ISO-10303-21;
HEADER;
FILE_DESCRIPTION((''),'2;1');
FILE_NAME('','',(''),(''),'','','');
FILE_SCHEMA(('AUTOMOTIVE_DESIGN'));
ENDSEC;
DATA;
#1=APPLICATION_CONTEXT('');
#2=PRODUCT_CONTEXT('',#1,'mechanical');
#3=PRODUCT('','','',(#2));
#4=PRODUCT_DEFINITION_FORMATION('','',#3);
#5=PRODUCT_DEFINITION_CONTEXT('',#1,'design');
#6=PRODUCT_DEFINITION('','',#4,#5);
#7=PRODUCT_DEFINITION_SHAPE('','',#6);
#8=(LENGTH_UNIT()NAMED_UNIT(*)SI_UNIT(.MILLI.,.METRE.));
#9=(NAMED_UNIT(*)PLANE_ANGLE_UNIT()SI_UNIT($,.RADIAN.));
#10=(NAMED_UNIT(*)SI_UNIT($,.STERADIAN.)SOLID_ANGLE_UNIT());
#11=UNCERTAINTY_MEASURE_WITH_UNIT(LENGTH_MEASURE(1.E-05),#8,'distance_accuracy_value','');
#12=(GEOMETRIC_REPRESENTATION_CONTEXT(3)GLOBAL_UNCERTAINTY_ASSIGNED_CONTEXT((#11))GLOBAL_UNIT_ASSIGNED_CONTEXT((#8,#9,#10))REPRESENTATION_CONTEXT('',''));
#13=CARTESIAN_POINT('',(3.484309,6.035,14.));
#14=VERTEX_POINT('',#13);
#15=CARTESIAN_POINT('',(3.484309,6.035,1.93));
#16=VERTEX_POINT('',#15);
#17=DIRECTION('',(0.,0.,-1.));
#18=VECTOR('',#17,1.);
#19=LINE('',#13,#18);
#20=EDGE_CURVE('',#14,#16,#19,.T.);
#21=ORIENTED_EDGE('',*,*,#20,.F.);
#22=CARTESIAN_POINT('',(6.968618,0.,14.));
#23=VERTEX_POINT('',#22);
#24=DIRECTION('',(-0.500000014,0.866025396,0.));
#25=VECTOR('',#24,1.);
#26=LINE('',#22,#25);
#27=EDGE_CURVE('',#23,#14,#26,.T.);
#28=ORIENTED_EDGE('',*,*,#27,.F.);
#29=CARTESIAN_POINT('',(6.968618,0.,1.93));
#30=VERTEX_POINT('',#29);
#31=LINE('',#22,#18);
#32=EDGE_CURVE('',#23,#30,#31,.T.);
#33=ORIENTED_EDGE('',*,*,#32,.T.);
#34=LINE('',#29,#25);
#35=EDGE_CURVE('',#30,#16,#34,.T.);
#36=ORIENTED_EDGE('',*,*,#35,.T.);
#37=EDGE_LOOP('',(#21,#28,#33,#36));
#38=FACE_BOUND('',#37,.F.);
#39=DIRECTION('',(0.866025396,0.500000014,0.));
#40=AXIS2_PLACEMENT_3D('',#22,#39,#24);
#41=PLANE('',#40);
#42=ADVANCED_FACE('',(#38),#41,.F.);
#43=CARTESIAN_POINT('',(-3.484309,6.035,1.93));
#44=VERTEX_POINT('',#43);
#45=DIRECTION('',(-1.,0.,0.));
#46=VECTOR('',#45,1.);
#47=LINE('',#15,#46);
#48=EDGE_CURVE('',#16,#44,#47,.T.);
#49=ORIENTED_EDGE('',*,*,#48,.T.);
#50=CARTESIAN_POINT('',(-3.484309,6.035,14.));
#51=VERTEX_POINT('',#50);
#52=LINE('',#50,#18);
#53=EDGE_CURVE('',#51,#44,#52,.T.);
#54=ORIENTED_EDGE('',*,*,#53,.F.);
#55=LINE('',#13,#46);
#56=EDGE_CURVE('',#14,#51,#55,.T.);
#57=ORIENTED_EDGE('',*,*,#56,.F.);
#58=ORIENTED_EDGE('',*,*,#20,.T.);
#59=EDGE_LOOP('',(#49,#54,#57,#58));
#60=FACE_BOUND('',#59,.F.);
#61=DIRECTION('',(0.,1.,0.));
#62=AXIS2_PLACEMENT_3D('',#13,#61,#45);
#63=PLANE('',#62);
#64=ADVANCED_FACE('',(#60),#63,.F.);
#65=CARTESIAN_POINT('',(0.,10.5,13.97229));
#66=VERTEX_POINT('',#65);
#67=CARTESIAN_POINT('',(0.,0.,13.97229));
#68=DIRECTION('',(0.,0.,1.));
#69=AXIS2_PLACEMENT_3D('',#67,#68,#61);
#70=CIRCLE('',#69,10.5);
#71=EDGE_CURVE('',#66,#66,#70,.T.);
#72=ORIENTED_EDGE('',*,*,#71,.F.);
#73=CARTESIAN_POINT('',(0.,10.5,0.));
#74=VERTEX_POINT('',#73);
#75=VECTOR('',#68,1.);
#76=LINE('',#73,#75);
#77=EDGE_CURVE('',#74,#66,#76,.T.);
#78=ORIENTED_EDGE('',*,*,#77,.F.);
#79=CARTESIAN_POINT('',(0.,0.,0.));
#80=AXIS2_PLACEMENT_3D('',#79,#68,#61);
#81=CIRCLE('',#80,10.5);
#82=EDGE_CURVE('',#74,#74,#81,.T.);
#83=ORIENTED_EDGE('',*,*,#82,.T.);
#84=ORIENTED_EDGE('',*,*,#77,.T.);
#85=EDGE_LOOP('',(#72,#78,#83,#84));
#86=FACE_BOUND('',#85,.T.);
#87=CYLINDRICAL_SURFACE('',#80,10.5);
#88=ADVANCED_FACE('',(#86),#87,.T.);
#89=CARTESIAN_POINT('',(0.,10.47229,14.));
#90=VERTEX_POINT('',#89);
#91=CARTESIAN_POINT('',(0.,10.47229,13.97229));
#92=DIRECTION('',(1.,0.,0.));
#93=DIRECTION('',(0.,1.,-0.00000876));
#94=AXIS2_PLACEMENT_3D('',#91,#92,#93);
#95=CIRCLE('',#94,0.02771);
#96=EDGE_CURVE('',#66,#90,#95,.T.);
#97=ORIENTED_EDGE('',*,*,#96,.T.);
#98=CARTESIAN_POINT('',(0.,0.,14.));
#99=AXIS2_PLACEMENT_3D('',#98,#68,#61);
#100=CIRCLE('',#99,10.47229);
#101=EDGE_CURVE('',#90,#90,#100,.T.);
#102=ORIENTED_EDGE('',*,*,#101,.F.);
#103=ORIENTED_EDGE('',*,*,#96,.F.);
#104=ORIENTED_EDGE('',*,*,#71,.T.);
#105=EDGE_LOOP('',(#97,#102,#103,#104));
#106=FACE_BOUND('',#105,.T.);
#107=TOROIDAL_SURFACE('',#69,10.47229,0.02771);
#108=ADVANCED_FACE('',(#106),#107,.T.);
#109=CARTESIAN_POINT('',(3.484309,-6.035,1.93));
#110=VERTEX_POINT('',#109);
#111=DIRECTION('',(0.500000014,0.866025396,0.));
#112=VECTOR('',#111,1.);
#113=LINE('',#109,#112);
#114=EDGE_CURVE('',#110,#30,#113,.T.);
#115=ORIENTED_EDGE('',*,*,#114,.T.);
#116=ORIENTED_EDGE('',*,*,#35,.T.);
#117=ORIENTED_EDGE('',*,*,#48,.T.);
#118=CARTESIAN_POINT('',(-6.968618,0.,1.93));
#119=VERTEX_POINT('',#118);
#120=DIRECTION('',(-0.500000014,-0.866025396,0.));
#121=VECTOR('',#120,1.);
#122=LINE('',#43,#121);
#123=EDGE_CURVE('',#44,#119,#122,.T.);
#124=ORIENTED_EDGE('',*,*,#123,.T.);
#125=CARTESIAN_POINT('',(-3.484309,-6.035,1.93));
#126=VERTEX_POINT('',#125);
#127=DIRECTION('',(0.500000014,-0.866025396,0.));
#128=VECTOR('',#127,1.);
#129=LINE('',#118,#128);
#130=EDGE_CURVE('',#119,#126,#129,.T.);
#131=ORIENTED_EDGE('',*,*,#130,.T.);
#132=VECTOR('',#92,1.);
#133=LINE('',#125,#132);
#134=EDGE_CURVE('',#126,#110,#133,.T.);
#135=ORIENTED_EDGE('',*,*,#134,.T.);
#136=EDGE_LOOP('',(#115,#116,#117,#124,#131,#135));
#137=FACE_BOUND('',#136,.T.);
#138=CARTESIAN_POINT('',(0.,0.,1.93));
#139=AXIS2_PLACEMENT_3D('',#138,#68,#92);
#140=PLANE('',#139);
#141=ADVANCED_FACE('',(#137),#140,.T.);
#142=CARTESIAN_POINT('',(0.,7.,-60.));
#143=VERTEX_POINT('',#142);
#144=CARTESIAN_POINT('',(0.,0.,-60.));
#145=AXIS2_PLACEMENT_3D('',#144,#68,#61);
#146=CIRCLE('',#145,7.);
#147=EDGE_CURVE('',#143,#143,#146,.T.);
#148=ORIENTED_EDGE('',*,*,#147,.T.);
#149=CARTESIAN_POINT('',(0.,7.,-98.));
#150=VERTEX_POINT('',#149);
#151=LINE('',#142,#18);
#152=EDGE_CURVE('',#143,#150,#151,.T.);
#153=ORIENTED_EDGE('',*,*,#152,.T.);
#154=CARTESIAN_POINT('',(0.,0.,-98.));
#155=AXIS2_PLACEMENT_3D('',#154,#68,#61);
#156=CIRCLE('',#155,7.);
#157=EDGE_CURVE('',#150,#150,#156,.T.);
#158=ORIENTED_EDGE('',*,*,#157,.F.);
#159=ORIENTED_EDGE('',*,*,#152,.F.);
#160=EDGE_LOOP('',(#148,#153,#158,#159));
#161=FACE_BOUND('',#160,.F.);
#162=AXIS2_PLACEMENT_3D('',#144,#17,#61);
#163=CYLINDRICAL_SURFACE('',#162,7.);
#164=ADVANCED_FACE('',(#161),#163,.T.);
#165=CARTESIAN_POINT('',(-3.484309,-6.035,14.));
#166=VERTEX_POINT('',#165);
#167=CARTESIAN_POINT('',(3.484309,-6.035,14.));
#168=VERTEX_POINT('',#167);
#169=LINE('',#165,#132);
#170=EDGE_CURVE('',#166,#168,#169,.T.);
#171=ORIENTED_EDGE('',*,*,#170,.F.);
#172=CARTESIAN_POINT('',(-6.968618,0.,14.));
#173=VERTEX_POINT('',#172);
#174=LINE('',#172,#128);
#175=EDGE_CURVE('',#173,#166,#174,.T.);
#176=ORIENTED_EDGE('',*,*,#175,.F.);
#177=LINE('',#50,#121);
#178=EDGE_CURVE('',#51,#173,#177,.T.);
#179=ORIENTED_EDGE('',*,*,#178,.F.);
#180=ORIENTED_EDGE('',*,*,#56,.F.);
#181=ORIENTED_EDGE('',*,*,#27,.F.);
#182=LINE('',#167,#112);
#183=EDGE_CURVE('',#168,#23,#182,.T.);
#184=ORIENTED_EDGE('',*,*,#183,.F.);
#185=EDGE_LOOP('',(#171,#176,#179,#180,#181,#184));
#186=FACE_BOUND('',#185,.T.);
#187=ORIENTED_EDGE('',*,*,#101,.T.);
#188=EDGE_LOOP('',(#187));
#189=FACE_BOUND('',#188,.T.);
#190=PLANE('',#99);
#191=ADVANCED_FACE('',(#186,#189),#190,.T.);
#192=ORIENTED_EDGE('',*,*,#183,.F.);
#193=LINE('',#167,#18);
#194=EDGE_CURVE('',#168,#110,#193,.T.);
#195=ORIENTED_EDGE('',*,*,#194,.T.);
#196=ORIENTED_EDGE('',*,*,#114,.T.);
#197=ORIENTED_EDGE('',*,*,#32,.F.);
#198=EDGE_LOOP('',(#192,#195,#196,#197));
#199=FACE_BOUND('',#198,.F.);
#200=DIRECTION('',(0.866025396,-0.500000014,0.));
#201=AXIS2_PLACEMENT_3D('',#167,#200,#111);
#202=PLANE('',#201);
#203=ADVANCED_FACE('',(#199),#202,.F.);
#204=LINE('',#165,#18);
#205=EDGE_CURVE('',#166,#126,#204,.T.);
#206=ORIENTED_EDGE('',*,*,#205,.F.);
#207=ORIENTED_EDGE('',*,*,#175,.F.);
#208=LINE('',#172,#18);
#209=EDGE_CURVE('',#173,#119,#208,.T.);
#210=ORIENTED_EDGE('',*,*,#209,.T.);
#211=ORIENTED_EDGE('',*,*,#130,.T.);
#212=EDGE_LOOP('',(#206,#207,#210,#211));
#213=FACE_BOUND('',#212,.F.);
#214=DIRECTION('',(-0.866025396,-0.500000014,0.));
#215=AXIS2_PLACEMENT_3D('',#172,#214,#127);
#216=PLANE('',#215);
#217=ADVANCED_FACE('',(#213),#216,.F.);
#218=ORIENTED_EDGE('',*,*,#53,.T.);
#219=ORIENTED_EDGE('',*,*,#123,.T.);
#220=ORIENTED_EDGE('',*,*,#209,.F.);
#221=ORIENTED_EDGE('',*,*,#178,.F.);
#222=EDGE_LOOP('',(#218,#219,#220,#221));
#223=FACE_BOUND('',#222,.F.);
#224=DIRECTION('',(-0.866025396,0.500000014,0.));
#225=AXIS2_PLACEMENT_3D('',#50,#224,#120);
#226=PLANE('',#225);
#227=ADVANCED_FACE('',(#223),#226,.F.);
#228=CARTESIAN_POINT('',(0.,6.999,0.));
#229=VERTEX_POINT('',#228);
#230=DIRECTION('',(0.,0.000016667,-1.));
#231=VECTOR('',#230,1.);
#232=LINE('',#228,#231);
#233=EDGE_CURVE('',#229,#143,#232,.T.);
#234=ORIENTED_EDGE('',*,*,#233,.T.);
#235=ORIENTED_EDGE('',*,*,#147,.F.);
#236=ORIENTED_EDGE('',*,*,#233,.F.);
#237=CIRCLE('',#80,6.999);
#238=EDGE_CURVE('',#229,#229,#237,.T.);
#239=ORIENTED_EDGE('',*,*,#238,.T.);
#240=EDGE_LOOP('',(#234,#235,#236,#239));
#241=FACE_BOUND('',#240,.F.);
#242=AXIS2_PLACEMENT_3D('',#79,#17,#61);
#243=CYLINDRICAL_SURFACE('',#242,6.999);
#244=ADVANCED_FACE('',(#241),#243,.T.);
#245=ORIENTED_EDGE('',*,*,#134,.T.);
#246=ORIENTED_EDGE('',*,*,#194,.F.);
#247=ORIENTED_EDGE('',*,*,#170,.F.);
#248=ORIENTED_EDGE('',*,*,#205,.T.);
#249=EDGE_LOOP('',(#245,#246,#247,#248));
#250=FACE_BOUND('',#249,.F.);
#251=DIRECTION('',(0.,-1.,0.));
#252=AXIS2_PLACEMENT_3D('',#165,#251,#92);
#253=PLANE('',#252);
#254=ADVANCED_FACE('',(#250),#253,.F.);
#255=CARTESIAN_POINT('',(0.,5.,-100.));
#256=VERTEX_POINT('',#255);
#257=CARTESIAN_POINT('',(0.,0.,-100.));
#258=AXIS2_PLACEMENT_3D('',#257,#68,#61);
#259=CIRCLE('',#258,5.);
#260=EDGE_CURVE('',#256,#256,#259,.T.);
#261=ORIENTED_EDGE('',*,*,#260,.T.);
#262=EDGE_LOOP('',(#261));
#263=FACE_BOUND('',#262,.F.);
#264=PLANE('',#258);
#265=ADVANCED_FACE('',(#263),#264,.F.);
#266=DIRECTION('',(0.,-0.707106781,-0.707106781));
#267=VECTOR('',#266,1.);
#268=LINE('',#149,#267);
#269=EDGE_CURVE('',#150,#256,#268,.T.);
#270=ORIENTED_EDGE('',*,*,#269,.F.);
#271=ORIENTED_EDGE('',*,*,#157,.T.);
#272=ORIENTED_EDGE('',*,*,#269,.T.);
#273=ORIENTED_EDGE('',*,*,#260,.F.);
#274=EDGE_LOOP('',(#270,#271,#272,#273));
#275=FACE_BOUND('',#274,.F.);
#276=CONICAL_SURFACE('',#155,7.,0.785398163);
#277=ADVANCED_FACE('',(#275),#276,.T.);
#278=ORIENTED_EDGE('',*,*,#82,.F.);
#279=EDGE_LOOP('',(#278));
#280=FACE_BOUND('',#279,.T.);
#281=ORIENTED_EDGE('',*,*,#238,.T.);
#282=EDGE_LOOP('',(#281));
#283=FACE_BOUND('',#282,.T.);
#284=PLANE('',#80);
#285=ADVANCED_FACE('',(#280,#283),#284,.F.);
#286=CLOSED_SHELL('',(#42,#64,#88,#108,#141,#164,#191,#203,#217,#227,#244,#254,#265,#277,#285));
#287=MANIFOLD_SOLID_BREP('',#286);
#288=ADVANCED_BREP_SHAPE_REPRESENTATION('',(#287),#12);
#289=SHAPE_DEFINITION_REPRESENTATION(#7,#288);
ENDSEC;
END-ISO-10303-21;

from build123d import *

# Parameters (mm, degrees)
POCKET_DEPTH = 12.07


with BuildPart() as part:
    # Sketch → Revolve (revolve)
    with BuildSketch(Plane.YZ):
        with BuildLine():
            Line((6.999, 0), (10.5, 0))
            Line((10.5, 0), (10.5, 13.97229))
            ThreePointArc((10.5, 13.97229), (10.491884, 13.991884), (10.47229, 14))
            Line((10.47229, 14), (0, 14))
            Line((0, -100), (0, 14))
            Line((5, -100), (0, -100))
            Line((7, -98), (5, -100))
            Line((7, -60), (7, -98))
            Line((6.999, 0), (7, -60))
        make_face()
    revolve(axis=Axis((0, 0, 0), (0, 0, 1)))

    # Sketch001 → Pocket (cut)
    with BuildSketch(Plane.XY.offset(14)):
        Polygon((6.968618, 0), (3.484309, 6.035), (-3.484309, 6.035), (-6.968618, 0), (-3.484309, -6.035), (3.484309, -6.035), align=None)
    extrude(amount=-POCKET_DEPTH, mode=Mode.SUBTRACT)


solid = part.part
